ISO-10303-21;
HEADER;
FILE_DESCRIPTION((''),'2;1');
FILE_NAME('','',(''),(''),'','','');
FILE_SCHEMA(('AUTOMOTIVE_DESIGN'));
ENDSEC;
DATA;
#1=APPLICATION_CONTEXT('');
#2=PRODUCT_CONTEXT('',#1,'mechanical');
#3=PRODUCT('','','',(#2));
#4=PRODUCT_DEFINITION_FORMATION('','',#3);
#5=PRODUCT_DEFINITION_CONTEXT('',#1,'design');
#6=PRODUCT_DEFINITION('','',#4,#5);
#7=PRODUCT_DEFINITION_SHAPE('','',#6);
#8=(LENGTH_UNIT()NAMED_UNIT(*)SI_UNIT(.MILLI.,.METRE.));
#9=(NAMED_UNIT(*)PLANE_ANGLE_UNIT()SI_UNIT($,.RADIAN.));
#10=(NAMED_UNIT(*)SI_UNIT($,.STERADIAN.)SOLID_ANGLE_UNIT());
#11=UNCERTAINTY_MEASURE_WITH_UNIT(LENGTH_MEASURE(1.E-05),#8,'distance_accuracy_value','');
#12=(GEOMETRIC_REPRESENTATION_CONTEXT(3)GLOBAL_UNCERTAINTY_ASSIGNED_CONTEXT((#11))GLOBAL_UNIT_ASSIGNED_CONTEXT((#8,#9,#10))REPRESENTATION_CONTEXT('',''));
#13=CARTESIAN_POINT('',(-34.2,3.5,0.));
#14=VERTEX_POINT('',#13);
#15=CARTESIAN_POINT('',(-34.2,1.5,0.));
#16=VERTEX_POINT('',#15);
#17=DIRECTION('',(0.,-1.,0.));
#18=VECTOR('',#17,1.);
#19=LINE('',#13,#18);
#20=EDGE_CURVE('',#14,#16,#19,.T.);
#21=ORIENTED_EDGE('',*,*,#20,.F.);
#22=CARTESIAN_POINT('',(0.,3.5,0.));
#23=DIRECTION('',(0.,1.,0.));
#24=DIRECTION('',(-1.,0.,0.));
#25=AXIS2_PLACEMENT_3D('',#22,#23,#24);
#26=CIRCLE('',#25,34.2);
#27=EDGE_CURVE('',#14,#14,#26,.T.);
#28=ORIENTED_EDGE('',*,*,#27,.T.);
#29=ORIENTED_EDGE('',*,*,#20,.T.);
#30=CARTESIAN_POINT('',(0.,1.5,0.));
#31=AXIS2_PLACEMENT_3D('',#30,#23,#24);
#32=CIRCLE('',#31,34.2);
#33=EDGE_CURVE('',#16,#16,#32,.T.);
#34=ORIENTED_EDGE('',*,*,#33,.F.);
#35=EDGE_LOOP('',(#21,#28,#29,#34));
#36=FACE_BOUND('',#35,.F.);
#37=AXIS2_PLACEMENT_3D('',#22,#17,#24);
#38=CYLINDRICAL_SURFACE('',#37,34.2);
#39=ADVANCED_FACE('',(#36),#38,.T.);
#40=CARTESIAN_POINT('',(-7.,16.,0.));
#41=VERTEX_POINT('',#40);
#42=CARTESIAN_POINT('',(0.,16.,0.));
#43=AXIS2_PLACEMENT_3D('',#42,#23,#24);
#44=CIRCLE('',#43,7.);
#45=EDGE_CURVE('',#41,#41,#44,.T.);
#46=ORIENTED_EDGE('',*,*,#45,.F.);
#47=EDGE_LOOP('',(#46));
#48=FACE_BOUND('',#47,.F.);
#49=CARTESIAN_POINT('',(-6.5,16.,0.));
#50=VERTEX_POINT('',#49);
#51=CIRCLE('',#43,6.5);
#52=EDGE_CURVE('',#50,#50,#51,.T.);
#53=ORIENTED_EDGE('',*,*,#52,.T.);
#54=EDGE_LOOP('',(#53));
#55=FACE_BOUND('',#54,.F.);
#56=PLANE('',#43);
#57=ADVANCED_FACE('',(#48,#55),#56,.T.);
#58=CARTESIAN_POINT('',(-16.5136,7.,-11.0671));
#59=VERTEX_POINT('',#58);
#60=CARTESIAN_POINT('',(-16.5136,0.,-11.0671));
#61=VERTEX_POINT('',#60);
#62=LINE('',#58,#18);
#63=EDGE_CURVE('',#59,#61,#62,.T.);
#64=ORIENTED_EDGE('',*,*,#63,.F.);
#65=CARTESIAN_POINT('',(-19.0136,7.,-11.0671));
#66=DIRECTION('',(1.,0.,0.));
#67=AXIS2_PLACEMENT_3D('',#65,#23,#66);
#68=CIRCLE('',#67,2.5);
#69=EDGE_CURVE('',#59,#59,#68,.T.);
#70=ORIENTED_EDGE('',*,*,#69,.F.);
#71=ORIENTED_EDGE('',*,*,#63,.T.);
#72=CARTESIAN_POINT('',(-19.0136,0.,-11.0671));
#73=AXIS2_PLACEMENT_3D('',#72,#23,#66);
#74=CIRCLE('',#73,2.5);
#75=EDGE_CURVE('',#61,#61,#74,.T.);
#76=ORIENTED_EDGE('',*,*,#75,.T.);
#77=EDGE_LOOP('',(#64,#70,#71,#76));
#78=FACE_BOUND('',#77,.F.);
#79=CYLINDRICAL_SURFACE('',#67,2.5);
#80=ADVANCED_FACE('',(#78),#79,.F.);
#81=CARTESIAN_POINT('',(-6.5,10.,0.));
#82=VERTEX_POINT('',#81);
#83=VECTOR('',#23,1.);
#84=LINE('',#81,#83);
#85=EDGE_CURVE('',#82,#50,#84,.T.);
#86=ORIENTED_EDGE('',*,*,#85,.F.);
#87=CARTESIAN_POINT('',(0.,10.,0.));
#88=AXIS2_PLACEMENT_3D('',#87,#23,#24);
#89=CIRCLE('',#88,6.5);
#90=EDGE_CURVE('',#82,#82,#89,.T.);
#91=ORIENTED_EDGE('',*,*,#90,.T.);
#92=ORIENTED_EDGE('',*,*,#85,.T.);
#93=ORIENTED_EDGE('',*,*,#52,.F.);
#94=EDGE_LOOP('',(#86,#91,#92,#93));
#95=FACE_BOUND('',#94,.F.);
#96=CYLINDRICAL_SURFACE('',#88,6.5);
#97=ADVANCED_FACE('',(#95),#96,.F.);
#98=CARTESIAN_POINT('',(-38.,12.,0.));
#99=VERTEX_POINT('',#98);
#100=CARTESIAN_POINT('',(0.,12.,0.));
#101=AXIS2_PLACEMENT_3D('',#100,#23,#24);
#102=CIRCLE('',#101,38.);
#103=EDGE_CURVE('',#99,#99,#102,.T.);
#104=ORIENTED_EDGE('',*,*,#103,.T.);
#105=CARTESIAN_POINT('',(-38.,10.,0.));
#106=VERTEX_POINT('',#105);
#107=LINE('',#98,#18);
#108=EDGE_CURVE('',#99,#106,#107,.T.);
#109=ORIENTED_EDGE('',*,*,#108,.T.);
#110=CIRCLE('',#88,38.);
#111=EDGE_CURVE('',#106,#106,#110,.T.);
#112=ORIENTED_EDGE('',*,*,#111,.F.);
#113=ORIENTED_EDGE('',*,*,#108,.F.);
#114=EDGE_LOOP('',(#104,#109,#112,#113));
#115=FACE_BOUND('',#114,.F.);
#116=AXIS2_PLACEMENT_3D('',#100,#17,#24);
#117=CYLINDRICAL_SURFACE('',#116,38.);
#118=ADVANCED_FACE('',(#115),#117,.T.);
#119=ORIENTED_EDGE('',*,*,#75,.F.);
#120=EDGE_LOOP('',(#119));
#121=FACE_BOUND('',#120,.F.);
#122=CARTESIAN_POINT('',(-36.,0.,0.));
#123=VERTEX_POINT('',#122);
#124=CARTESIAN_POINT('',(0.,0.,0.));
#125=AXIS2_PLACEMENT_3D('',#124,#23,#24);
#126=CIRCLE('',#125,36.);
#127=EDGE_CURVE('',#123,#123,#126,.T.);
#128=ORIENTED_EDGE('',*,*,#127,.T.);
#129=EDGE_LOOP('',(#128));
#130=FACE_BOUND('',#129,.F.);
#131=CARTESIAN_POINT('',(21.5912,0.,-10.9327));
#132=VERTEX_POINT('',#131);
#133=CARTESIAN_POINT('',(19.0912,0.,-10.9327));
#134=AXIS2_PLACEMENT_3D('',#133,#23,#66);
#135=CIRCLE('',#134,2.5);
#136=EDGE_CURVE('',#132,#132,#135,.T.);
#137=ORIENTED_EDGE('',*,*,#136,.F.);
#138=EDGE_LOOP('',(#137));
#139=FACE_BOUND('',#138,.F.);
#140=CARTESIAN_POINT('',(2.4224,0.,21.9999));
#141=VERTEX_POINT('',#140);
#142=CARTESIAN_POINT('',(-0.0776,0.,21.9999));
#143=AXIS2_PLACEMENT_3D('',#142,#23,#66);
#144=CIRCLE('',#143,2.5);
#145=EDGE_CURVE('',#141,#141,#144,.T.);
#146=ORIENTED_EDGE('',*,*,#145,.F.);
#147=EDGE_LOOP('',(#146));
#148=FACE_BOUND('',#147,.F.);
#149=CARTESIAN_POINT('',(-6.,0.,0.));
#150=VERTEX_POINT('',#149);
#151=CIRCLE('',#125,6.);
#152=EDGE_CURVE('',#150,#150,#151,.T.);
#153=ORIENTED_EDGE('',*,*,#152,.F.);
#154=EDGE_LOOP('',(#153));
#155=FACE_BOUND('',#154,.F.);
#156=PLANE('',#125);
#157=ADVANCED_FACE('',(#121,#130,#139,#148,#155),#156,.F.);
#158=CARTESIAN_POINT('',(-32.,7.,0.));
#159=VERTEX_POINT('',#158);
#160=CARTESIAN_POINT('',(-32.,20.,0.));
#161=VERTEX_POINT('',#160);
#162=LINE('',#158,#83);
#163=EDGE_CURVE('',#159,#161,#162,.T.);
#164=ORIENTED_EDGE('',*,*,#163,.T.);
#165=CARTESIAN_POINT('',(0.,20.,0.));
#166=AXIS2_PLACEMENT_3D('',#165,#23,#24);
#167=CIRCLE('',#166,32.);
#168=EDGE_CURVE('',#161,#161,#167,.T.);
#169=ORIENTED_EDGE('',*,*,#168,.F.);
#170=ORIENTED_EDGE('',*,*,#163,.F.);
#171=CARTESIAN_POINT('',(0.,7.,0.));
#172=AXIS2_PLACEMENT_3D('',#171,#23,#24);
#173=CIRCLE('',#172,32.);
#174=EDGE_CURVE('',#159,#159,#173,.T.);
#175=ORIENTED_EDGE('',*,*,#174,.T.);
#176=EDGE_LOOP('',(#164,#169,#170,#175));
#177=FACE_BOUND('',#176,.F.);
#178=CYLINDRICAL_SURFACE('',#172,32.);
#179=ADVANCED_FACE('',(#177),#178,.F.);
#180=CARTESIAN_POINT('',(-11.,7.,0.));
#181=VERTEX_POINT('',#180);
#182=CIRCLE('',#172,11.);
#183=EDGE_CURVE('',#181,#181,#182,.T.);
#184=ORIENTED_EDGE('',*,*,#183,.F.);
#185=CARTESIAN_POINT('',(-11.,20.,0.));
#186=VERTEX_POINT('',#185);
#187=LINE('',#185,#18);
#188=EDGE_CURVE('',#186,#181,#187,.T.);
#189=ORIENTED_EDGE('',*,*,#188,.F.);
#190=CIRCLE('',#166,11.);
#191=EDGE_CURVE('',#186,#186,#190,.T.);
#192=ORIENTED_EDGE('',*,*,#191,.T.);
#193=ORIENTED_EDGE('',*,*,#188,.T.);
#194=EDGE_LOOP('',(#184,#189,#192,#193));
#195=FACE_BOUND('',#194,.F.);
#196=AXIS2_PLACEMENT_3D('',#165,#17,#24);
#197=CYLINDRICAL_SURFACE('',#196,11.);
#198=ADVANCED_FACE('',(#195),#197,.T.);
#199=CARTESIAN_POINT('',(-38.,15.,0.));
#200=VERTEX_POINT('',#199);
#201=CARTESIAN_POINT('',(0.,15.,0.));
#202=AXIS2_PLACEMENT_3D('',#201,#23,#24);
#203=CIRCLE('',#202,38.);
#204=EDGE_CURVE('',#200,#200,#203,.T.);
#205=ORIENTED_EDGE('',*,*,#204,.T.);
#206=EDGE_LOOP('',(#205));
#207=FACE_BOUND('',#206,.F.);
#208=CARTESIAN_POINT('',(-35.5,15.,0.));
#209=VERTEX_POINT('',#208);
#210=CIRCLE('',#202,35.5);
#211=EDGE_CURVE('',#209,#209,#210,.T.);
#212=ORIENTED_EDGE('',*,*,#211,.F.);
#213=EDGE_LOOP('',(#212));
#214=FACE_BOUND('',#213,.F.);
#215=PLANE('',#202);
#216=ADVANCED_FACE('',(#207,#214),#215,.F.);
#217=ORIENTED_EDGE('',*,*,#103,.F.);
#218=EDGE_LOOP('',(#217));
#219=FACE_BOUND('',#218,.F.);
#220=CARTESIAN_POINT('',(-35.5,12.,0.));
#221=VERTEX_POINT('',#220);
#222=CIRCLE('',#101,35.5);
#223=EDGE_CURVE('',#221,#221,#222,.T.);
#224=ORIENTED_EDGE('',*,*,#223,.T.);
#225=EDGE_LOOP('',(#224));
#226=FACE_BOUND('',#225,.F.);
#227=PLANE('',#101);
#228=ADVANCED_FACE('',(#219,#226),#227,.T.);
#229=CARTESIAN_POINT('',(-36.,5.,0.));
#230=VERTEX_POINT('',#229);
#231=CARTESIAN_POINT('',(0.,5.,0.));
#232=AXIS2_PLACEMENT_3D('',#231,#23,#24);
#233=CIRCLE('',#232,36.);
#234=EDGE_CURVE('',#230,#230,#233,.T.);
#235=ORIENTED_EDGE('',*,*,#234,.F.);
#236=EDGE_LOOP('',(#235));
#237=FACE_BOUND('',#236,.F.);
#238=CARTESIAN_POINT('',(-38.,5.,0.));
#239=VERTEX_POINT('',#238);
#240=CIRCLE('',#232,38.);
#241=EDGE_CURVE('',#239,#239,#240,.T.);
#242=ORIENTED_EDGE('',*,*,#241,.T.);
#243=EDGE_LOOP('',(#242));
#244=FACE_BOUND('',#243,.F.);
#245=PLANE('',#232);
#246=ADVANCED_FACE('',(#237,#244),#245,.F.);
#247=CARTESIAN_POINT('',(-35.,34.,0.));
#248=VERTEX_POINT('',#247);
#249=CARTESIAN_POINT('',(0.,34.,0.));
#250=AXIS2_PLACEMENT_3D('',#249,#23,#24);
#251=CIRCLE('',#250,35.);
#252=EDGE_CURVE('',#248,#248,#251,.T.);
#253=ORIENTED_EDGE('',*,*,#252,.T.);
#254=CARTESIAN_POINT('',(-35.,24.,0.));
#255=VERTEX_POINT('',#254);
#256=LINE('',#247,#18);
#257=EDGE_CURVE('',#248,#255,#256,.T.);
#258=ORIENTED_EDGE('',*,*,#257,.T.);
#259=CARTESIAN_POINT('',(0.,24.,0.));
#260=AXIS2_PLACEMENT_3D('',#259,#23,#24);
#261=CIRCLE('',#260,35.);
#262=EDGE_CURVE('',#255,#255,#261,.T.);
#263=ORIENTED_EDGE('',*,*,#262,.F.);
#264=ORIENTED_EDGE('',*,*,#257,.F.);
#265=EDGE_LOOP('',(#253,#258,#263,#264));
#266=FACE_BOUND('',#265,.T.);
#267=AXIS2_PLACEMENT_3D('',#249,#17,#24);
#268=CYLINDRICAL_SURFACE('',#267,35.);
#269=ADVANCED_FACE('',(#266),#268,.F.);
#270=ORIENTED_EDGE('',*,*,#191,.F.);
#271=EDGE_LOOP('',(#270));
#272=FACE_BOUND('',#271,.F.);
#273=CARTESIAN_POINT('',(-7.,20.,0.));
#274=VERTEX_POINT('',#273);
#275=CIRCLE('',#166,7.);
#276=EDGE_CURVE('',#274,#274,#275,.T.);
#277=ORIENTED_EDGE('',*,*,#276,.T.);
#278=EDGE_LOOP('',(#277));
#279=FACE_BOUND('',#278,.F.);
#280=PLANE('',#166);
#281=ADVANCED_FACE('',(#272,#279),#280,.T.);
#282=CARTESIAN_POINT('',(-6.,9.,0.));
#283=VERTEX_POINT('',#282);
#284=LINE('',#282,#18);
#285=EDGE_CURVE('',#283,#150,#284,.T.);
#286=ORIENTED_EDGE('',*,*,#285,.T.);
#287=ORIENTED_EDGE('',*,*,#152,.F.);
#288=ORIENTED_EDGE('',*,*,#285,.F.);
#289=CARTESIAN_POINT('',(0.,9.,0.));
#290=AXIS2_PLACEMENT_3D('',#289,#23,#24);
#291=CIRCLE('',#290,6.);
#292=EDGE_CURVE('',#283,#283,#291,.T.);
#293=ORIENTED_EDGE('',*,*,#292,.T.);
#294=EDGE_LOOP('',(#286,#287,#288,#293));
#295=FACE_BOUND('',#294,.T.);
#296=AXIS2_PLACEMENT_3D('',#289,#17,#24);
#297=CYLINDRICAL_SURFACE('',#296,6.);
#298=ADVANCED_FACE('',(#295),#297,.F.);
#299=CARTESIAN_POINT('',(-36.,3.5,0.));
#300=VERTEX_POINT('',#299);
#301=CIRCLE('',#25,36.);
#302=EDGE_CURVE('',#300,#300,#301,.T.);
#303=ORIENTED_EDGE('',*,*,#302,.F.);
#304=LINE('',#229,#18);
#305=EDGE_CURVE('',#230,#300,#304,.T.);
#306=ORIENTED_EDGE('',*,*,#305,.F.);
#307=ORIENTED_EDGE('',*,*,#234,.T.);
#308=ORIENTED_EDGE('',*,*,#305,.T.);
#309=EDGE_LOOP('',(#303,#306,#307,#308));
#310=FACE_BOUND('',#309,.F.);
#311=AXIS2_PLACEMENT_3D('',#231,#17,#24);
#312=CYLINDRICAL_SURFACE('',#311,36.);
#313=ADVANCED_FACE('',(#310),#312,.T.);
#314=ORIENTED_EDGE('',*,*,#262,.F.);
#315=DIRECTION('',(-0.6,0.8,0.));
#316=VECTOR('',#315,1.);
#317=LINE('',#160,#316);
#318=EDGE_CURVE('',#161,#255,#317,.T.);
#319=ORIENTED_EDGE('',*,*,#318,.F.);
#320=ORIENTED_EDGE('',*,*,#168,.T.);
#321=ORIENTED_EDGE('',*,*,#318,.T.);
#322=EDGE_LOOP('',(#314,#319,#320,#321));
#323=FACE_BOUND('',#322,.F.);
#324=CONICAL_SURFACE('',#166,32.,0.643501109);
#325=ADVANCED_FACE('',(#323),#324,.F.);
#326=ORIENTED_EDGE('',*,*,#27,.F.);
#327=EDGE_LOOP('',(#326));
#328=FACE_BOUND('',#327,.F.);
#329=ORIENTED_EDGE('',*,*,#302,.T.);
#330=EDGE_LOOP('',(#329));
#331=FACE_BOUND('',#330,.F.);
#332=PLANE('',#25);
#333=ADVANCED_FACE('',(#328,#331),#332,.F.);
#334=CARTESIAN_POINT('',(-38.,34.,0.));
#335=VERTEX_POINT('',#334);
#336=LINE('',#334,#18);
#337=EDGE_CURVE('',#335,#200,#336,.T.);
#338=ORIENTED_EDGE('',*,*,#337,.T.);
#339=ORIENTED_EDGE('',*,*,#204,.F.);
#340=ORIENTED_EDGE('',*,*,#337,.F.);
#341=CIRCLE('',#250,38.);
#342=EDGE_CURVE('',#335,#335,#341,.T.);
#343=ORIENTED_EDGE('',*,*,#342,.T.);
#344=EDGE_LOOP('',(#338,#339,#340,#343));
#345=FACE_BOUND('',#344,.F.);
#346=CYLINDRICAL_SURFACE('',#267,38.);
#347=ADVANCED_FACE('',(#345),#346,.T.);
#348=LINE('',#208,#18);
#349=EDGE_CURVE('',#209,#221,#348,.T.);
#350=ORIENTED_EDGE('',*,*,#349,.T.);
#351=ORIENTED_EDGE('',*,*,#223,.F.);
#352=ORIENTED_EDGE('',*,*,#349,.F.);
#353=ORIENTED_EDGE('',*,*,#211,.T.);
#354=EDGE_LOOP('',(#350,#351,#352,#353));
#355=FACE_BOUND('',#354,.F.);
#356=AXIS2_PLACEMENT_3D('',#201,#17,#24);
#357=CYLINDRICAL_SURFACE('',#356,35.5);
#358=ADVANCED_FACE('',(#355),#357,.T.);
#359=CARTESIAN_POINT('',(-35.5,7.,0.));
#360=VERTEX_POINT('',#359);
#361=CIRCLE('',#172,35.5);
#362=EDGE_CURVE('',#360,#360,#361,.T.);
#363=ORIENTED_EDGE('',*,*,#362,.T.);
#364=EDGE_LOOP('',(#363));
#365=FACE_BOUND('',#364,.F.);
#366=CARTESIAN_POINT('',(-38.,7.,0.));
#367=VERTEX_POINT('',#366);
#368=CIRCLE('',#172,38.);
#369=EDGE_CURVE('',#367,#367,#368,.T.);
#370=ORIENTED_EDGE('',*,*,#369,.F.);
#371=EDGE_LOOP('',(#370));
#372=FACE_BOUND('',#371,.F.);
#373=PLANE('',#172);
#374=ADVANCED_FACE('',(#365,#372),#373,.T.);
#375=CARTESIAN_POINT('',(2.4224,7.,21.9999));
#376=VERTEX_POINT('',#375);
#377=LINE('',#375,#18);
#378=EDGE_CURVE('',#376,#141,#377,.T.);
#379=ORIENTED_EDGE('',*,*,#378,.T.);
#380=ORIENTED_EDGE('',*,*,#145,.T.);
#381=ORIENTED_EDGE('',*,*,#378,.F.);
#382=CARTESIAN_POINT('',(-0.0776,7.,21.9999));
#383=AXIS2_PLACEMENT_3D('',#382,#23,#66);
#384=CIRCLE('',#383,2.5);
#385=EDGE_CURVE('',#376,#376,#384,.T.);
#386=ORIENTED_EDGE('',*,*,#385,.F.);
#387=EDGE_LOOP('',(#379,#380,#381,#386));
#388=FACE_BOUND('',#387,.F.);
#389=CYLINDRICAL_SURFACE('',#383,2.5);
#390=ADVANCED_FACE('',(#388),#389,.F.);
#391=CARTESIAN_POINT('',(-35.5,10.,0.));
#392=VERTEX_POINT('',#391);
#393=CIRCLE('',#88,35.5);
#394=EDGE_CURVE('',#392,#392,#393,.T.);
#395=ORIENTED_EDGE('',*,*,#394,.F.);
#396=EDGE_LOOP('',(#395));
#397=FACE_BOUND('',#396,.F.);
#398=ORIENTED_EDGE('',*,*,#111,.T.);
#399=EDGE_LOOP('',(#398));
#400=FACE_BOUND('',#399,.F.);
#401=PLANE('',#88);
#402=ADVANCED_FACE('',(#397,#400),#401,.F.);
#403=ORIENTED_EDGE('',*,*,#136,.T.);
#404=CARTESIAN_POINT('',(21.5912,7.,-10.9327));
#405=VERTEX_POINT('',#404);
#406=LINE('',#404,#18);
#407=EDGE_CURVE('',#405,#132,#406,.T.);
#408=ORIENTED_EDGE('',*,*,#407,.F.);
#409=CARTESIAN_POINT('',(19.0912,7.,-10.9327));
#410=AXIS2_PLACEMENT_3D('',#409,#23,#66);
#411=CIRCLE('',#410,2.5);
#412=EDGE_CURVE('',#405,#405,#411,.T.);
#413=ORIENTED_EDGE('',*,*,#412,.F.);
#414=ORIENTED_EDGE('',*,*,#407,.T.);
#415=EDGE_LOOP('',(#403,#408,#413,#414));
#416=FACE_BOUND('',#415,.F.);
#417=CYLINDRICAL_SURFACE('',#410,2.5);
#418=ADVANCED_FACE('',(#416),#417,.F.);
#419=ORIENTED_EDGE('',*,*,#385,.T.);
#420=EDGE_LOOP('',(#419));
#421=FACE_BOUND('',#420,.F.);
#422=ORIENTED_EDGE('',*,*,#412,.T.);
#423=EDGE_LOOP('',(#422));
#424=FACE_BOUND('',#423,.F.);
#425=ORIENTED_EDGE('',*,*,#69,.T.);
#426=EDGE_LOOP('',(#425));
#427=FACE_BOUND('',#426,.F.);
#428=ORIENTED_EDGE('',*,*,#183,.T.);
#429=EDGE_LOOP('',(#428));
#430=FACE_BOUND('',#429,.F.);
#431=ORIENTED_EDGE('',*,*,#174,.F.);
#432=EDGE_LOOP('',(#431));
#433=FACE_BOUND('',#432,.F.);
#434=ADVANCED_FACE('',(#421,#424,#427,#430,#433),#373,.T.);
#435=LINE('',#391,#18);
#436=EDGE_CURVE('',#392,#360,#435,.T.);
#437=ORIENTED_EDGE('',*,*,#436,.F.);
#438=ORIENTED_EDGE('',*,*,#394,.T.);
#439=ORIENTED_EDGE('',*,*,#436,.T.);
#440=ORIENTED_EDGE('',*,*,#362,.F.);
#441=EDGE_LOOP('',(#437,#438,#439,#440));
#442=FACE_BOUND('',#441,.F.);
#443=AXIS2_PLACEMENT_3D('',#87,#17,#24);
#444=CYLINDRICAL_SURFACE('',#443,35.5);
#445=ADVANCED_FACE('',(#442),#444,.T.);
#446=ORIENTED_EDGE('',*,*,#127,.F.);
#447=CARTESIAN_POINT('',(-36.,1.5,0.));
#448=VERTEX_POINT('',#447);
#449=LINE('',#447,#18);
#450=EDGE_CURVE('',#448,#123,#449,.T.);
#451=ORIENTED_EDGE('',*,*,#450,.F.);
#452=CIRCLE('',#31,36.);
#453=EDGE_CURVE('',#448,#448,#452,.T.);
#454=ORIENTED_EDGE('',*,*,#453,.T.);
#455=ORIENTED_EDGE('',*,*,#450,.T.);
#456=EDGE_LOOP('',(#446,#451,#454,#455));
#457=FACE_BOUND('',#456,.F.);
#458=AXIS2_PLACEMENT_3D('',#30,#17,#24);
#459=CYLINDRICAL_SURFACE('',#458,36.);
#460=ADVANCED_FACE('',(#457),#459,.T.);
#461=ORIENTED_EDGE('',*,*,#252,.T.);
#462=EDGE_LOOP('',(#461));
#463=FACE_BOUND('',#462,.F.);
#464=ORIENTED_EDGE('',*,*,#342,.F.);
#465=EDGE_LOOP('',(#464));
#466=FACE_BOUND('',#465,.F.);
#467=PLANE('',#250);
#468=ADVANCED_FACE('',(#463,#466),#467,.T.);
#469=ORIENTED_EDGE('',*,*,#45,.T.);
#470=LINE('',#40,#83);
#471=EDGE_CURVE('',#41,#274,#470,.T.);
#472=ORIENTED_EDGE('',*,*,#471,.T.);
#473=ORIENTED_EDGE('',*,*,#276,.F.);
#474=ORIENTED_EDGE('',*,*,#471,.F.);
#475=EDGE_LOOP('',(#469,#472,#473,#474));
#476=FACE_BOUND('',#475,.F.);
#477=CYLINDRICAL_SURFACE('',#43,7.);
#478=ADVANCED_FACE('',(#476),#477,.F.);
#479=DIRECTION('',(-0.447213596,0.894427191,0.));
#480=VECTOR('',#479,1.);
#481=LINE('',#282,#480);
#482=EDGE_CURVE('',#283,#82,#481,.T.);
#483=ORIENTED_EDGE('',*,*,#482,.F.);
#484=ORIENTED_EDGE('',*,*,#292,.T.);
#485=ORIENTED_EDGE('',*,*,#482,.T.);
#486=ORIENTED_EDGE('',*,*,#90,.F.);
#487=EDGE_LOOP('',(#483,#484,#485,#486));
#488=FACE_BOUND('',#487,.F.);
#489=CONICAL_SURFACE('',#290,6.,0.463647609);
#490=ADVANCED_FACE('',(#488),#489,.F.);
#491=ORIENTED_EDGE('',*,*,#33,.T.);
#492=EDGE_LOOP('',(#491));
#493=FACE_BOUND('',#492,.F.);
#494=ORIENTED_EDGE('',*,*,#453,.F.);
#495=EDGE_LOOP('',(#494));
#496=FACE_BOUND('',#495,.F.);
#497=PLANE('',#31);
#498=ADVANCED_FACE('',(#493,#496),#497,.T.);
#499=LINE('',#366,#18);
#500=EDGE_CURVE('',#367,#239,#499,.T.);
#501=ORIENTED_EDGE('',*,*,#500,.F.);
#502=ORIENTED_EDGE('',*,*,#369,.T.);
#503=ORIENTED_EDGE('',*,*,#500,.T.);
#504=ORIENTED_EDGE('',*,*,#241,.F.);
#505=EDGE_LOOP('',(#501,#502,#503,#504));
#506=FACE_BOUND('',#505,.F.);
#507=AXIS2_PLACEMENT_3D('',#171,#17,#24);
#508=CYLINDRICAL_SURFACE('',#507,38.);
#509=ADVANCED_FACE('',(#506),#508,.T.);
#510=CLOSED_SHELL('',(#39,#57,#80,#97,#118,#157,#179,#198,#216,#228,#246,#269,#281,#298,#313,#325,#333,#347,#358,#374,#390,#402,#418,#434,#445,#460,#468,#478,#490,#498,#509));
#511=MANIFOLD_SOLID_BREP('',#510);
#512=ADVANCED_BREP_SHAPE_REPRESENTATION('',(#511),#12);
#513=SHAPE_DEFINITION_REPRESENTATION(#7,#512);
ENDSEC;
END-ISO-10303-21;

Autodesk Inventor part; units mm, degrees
ref_plane "YZ Plane" through (0, 0, 0) normal (1, 0, 0) x (0, 1, 0)
ref_plane "XZ Plane" through (0, 0, 0) normal (0, 1, 0) x (-1, 0, 0)
ref_plane "XY Plane" through (0, 0, 0) normal (0, 0, 1) x (1, 0, 0)
sketch "Boceto2" plane through (0, 0, 0) normal (0, 0, 1) x (1, 0, 0)
  line L0 (-6, 9) -> (-6.5, 10)
  line L1 (-6.5, 10) -> (-6.5, 16)
  line L2 (-6.5, 16) -> (-7, 16)
  line L3 (-7, 16) -> (-7, 20)
  line L4 (-7, 20) -> (-11, 20)
  line L5 (-11, 20) -> (-11, 7)
  line L6 (-11, 7) -> (-32, 7)
  line L7 (-32, 7) -> (-32, 20)
  line L8 (-32, 20) -> (-35, 24)
  line L9 (-35, 34) -> (-38, 34)
  line L10 (-38, 34) -> (-38, 15)
  line L11 (-38, 15) -> (-35.5, 15)
  line L12 (-35.5, 12) -> (-38, 12)
  line L13 (-38, 10) -> (-35.5, 10)
  line L14 (-35.5, 7) -> (-38, 7)
  line L15 (-38, 5) -> (-36, 5)
  line L16 (-36, 5) -> (-36, 3.5)
  line L17 (-36, 3.5) -> (-34.2, 3.5)
  line L18 (-34.2, 3.5) -> (-34.2, 1.5)
  line L19 (-34.2, 1.5) -> (-36, 1.5)
  line L20 (-36, 1.5) -> (-36, 0)
  line L21 (-6, 9) -> (-6, 0)
  line L22 (-36, 0) -> (-6, 0)
  line L23 (-35.5, 10) -> (-35.5, 7)
  line L24 (-38, 12) -> (-38, 10)
  line L25 (-35, 34) -> (-35, 24)
  line L26 (-35.5, 15) -> (-35.5, 12)
  line L27 (0, -6.8) -> (0, 40.8) projected
  line L28 (-38, 7) -> (-38, 5)
  point P0 (0, 0)
  dimension "d2" = 9
  dimension "d3" = 1
  dimension "d4" = 0.5
  dimension "d5" = 0.5
  dimension "d6" = 6
  dimension "d7" = 4
  dimension "d8" = 4
  dimension "d9" = 7
  dimension "d16" = 1.5
  dimension "d17" = 1.8
  dimension "d19" = 2
  dimension "d20" = 1.5
  dimension "d21" = 2
  dimension "d23" = 3
  dimension "d24" = 2
  dimension "d25" = 3
  dimension "d33" = 38
  dimension "d35" = 6
  dimension "d38" = 4
  dimension "d39" = 21
  dimension "d40" = 13
  dimension "d42" = 2.5
  dimension "d43" = 3
  dimension "d44" = 2.5
  dimension "d49" = 2
  dimension "d51" = 10
revolve "Revolución1" add sketch "Boceto2" angle 360 about axis through (0, -10, 0) along (0, 1, 0)
sketch "Boceto3" plane through (0, 7, 0) normal (0, 1, 0) x (1, 0, 0)
  line L0 (-0.0776, -21.9999) -> (-19.0136, 11.0671) construction
  line L1 (-19.0136, 11.0671) -> (19.0912, 10.9327) construction
  line L2 (19.0912, 10.9327) -> (-0.0776, -21.9999) construction
  circle A0 centre (0, 0) radius 11 construction
  circle A1 centre (0, 0) radius 11 projected
  circle A2 centre (-0.0776, -21.9999) radius 2.5
  circle A3 centre (19.0912, 10.9327) radius 2.5
  circle A4 centre (-19.0136, 11.0671) radius 2.5
  dimension "d56" = 5
extrude "Extrusión1" cut sketch "Boceto3" against normal up to surface (7 mm away) contours A2 | A3 | A4
properties part number "PARTE_SUPERIOR_IGNICION"
